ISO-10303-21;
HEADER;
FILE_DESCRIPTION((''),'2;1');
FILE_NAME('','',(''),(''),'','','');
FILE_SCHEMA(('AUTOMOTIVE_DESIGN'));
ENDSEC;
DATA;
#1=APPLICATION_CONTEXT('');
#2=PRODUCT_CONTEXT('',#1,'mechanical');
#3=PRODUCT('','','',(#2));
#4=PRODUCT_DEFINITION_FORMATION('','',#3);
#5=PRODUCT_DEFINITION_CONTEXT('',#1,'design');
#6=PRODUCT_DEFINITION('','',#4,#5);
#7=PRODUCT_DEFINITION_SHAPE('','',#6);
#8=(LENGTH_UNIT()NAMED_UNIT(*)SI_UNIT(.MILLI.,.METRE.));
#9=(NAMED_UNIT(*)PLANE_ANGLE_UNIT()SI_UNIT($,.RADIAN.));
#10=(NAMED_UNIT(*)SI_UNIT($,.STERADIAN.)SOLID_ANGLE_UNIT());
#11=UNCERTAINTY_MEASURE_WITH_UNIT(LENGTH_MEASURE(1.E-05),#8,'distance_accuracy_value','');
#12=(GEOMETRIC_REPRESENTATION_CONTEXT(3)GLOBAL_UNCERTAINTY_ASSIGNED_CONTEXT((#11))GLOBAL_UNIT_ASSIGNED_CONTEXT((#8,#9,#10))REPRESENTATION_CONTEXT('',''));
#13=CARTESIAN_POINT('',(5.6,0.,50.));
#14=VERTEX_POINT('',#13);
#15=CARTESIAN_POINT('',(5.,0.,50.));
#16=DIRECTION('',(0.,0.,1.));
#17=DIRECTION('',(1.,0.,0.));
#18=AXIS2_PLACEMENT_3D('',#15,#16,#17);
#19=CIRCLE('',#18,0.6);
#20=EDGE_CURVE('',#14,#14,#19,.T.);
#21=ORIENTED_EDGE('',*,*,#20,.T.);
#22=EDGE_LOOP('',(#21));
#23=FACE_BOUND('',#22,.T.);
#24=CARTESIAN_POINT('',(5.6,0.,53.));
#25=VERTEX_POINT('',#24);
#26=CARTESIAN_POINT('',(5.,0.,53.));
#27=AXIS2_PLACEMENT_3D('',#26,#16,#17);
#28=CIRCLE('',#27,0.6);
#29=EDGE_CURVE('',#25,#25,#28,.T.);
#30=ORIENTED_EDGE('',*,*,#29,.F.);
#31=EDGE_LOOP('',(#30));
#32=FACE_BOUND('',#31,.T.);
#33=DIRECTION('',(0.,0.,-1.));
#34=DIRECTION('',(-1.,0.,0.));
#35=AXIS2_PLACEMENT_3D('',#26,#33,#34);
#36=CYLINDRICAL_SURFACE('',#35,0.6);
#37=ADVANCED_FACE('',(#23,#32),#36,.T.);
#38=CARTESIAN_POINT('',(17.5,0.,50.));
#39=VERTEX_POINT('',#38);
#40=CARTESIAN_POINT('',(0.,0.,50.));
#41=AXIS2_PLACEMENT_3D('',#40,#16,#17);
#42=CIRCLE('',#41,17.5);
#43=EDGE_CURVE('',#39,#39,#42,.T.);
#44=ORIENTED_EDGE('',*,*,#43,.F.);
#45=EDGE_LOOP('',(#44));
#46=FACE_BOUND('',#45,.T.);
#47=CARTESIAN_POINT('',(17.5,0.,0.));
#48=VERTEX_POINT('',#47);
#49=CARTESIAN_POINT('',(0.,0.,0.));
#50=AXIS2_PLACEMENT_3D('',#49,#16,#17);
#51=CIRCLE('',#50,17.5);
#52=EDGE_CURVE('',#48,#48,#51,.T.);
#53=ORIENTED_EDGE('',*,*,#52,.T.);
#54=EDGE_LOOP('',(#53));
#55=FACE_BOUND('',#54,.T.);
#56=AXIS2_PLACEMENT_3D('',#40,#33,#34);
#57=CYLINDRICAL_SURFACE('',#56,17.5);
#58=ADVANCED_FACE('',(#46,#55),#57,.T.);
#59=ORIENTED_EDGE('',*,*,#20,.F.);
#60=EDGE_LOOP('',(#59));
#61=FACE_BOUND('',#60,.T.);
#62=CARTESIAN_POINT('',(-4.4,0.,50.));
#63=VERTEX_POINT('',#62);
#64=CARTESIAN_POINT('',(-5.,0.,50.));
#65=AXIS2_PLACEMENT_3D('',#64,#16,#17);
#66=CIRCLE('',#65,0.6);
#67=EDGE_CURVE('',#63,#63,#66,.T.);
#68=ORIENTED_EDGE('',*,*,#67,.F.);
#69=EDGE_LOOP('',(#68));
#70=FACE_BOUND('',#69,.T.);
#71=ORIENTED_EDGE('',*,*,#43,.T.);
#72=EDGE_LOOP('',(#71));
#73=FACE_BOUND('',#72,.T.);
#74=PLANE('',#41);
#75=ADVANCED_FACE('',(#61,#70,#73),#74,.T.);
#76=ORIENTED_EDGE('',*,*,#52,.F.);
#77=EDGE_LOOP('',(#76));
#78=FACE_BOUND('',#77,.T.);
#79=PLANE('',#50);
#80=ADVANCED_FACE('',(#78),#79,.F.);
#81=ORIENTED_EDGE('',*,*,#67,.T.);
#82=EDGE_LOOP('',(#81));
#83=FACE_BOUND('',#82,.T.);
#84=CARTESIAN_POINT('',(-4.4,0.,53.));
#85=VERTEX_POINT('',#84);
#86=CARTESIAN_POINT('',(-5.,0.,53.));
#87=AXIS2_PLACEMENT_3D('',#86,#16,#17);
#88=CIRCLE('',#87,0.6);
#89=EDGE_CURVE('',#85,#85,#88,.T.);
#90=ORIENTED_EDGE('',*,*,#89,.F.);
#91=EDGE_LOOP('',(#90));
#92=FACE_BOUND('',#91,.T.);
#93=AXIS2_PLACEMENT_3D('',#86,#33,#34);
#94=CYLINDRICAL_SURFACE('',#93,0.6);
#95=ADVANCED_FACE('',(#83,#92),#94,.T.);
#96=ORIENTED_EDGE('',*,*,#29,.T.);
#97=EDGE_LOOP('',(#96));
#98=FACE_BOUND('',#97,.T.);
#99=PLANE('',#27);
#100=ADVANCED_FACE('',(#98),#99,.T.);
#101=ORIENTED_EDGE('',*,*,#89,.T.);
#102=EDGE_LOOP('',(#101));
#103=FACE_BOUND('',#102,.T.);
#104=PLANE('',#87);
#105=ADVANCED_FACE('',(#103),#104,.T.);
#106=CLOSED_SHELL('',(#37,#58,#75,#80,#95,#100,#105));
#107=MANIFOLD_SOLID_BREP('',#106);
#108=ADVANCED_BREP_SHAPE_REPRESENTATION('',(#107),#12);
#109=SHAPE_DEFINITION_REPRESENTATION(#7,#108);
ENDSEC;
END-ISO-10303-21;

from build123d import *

# Parameters (mm, degrees)
SKETCH_1_R      = 17.5
EXTRUDE_1_DEPTH = 50
SKETCH_2_R      = 0.6
EXTRUDE_2_DEPTH = 3


with BuildPart() as part:
    # Эскиз1 → Вытянуть1 (new body)
    with BuildSketch(Plane.XY):
        Circle(SKETCH_1_R)
    extrude(amount=EXTRUDE_1_DEPTH)

    # Эскиз2 → Вытянуть2 (add)
    with BuildSketch(Plane.XY.offset(50)):
        with Locations((-5, 0)):
            Circle(SKETCH_2_R)
        with Locations((5, 0)):
            Circle(SKETCH_2_R)
    extrude(amount=EXTRUDE_2_DEPTH)


solid = part.part
